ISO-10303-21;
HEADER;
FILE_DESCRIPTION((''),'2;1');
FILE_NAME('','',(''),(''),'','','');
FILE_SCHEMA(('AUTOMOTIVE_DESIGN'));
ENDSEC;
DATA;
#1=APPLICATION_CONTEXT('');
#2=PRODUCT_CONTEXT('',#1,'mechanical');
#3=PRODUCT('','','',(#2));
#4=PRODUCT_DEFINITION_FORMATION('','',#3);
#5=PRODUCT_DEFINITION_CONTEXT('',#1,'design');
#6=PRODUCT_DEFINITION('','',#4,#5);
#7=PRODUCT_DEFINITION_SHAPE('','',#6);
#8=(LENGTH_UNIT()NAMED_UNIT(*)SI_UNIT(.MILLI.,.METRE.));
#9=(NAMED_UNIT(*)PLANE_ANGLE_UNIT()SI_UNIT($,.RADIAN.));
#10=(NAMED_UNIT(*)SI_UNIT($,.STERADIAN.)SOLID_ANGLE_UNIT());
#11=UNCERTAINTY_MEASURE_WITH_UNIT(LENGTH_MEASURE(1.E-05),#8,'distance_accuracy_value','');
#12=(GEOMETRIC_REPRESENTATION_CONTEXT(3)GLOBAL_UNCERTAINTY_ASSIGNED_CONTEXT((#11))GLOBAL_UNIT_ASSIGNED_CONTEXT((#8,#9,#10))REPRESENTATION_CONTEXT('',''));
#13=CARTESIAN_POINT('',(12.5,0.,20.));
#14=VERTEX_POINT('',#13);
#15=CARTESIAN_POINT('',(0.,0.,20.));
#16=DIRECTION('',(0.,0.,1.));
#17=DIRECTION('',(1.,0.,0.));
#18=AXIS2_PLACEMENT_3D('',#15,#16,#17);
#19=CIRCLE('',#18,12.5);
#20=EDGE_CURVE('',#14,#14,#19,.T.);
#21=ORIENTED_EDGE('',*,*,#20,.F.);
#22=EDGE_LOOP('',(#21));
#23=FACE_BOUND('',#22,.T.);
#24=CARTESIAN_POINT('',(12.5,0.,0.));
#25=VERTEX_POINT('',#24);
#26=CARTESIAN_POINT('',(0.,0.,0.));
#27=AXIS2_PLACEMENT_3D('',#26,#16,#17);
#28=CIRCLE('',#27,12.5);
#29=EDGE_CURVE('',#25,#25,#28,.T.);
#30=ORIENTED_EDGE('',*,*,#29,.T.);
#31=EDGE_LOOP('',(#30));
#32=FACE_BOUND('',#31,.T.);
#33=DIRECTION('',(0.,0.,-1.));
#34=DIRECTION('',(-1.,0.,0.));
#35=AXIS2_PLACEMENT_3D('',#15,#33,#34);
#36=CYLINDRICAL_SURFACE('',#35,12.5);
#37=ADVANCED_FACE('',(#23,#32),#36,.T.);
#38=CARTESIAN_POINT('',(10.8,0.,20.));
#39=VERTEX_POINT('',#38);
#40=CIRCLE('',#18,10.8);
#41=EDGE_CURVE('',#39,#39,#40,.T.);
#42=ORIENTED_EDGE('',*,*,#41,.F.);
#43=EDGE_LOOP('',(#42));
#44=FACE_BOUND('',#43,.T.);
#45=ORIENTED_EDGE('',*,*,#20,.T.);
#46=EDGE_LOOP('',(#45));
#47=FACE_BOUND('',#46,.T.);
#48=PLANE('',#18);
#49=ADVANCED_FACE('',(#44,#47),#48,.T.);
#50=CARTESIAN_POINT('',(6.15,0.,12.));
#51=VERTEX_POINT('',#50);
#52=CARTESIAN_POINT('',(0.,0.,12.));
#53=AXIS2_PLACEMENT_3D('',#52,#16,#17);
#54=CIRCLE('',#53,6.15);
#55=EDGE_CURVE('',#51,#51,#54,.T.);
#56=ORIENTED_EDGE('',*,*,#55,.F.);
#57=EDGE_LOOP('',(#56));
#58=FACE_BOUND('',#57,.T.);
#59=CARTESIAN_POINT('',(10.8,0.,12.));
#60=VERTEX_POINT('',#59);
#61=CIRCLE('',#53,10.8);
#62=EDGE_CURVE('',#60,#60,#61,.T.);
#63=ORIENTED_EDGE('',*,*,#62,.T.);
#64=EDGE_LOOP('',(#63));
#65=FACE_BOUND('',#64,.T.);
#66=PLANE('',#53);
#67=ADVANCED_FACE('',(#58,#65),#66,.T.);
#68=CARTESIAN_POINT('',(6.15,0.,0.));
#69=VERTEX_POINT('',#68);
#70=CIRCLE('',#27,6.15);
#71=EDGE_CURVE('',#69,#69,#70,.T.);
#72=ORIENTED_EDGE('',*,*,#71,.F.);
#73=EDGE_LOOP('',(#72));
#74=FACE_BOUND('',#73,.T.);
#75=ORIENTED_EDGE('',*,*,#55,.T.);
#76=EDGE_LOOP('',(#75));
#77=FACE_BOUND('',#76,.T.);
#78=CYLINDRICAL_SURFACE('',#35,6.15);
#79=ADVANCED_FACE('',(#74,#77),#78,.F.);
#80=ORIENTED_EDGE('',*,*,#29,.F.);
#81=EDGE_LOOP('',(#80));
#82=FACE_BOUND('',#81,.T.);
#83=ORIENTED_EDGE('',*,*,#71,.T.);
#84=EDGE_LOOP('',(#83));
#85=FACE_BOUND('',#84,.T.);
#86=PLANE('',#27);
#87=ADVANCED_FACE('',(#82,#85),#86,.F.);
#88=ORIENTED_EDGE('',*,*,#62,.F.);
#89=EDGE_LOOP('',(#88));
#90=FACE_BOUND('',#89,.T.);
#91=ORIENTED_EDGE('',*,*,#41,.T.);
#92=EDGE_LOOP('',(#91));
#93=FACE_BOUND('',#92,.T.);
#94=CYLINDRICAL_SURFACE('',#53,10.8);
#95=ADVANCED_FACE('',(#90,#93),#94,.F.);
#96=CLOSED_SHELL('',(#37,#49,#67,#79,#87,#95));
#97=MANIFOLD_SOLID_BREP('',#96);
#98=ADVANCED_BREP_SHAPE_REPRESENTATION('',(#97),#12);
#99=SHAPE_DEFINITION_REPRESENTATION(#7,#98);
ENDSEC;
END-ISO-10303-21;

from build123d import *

# Parameters (mm, degrees)
SKETCH1_R           = 12.5
SKETCH1_R_2         = 6.15
BOSS_EXTRUDE1_DEPTH = 20
SKETCH2_R           = 10.8
CUT_EXTRUDE1_DEPTH  = 8


with BuildPart() as part:
    # Sketch1 → Boss-Extrude1 (new body)
    with BuildSketch(Plane.XY):
        Circle(SKETCH1_R)
        Circle(SKETCH1_R_2, mode=Mode.SUBTRACT)
    extrude(amount=BOSS_EXTRUDE1_DEPTH)

    # Sketch2 → Cut-Extrude1 (cut)
    with BuildSketch(Plane.XY.offset(20)):
        Circle(SKETCH2_R)
    extrude(amount=-CUT_EXTRUDE1_DEPTH, mode=Mode.SUBTRACT)


solid = part.part
